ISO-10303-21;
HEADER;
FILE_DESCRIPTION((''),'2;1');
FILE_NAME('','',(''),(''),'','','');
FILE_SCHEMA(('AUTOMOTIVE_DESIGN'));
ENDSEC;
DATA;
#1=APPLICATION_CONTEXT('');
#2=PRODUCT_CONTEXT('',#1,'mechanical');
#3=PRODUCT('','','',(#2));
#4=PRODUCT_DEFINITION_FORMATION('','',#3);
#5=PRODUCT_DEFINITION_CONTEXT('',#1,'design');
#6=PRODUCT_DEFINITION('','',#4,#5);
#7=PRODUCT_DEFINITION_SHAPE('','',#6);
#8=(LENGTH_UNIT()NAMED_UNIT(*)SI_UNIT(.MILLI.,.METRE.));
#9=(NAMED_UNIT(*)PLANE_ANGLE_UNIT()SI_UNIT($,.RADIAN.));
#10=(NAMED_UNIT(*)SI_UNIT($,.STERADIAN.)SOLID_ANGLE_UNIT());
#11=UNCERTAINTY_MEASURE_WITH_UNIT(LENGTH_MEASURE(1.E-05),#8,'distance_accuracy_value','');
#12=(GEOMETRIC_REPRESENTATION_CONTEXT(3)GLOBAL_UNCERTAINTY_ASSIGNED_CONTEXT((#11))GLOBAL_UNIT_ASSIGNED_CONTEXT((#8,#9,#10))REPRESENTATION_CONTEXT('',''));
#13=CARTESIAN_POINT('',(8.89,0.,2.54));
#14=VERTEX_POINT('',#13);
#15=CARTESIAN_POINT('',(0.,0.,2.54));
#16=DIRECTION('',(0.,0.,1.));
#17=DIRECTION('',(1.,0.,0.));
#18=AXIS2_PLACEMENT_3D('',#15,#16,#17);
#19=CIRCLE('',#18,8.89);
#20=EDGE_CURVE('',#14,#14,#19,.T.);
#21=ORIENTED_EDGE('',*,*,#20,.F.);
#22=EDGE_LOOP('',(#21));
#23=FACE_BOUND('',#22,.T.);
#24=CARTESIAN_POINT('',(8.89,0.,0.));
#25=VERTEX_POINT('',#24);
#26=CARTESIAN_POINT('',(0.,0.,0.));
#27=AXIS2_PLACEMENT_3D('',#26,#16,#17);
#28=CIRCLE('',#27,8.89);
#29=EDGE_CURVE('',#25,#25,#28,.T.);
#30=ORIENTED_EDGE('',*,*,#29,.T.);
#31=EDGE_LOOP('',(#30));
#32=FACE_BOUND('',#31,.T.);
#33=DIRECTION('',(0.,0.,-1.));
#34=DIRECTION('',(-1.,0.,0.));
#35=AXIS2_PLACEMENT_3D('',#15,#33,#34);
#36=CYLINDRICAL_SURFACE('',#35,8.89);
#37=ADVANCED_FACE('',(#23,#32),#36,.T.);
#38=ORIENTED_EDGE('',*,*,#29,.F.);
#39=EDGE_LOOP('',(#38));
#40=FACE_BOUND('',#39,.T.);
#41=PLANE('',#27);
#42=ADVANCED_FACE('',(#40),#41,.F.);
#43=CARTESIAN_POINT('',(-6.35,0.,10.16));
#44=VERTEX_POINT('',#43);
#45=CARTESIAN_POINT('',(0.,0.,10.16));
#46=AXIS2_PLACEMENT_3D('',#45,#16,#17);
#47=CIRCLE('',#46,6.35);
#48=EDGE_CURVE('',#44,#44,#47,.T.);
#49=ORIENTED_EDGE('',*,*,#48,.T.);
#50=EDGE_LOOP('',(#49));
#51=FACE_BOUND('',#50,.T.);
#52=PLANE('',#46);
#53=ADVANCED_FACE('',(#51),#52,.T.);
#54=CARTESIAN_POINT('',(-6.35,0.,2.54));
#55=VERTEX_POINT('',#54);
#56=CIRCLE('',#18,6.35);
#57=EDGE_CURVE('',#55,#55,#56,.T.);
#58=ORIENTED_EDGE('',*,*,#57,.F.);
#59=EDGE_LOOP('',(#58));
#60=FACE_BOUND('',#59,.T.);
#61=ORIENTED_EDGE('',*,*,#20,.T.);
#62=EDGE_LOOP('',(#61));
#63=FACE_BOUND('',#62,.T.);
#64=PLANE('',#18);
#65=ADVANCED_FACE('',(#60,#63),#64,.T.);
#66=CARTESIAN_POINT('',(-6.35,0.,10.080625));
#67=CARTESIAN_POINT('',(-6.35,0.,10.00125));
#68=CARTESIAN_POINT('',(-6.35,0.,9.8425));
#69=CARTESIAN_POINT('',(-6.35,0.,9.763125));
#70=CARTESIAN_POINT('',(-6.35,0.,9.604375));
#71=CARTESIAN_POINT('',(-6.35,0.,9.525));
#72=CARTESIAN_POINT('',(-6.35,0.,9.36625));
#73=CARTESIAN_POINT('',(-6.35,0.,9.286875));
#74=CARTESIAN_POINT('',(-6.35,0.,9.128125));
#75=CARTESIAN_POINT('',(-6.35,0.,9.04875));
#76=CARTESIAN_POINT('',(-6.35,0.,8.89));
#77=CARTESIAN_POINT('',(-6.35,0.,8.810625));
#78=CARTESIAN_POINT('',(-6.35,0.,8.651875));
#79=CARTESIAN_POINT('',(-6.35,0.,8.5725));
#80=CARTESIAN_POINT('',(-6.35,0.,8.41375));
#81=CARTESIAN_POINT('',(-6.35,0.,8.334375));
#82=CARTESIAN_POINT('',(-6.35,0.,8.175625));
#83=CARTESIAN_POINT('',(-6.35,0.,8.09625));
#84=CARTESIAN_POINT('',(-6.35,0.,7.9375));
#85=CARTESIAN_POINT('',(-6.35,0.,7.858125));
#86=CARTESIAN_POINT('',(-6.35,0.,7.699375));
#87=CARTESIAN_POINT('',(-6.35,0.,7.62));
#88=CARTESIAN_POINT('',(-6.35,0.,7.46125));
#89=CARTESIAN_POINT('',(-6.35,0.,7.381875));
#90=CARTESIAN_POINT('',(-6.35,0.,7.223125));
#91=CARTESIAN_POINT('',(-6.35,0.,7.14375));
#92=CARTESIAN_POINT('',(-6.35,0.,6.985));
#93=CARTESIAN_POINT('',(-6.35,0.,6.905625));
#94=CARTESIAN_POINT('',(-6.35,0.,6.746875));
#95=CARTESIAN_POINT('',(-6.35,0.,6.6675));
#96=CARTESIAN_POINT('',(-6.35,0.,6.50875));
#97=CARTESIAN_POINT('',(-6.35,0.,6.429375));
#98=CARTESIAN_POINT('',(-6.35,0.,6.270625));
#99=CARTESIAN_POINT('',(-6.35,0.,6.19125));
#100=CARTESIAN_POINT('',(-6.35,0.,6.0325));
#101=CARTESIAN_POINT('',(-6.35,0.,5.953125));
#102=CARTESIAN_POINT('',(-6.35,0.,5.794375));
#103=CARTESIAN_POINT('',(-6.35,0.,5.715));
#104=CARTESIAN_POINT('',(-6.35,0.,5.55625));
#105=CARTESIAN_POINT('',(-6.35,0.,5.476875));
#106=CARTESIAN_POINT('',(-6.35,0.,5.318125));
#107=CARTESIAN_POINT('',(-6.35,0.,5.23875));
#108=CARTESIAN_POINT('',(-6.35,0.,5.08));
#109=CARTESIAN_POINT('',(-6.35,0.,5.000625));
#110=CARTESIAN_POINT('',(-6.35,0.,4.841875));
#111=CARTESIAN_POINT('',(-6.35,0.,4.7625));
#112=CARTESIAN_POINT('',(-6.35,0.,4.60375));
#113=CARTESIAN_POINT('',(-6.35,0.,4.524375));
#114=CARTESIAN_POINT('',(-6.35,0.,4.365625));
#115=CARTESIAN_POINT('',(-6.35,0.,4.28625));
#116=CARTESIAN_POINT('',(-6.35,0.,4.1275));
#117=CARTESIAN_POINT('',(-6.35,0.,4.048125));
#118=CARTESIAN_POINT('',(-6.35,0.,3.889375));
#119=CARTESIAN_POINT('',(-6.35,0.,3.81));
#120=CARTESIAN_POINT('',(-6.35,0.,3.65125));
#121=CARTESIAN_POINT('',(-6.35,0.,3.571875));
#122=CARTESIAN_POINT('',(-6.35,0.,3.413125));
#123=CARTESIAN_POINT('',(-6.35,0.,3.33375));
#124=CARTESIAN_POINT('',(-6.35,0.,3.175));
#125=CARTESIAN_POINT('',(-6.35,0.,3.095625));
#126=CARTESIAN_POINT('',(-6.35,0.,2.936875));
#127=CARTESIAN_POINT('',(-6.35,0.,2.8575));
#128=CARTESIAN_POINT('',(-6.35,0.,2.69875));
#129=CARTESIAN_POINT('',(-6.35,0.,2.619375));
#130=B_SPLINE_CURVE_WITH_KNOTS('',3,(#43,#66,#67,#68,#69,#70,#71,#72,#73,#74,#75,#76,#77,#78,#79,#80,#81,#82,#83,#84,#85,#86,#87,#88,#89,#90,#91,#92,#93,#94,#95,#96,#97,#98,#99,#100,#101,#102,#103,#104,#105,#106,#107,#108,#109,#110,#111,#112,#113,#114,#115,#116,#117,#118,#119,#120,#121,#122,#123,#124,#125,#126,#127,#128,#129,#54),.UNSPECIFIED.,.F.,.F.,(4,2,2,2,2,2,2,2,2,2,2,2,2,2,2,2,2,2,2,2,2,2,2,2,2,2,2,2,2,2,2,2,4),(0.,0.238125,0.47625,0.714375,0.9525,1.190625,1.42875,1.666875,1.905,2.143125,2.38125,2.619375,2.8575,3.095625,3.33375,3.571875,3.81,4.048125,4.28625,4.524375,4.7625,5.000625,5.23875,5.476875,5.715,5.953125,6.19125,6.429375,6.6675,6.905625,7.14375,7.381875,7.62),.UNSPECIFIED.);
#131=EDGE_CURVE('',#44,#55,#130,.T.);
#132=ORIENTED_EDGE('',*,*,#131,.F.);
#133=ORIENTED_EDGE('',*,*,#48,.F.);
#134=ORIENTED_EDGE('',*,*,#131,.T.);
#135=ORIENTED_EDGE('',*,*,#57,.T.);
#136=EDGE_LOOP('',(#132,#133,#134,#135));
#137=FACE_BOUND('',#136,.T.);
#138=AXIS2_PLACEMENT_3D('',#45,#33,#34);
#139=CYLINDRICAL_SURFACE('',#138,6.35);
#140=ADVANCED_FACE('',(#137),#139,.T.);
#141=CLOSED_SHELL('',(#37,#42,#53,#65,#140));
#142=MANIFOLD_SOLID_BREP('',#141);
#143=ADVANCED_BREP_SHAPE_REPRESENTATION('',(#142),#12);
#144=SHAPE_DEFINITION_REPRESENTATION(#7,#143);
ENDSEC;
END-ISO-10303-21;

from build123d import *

# Parameters (mm, degrees)
SKETCH2_R           = 8.89
BOSS_EXTRUDE1_DEPTH = 2.54
SKETCH3_R           = 6.35
BOSS_EXTRUDE2_DEPTH = 7.62


with BuildPart() as part:
    # Sketch2 → Boss-Extrude1 (new body)
    with BuildSketch(Plane.XY):
        Circle(SKETCH2_R)
    extrude(amount=BOSS_EXTRUDE1_DEPTH)

    # Sketch3 → Boss-Extrude2 (add)
    with BuildSketch(Plane.XY.offset(2.54)):
        with Locations(Location((0, 0, 0), (0, 0, 180))):
            Circle(SKETCH3_R)
    extrude(amount=BOSS_EXTRUDE2_DEPTH)


solid = part.part
